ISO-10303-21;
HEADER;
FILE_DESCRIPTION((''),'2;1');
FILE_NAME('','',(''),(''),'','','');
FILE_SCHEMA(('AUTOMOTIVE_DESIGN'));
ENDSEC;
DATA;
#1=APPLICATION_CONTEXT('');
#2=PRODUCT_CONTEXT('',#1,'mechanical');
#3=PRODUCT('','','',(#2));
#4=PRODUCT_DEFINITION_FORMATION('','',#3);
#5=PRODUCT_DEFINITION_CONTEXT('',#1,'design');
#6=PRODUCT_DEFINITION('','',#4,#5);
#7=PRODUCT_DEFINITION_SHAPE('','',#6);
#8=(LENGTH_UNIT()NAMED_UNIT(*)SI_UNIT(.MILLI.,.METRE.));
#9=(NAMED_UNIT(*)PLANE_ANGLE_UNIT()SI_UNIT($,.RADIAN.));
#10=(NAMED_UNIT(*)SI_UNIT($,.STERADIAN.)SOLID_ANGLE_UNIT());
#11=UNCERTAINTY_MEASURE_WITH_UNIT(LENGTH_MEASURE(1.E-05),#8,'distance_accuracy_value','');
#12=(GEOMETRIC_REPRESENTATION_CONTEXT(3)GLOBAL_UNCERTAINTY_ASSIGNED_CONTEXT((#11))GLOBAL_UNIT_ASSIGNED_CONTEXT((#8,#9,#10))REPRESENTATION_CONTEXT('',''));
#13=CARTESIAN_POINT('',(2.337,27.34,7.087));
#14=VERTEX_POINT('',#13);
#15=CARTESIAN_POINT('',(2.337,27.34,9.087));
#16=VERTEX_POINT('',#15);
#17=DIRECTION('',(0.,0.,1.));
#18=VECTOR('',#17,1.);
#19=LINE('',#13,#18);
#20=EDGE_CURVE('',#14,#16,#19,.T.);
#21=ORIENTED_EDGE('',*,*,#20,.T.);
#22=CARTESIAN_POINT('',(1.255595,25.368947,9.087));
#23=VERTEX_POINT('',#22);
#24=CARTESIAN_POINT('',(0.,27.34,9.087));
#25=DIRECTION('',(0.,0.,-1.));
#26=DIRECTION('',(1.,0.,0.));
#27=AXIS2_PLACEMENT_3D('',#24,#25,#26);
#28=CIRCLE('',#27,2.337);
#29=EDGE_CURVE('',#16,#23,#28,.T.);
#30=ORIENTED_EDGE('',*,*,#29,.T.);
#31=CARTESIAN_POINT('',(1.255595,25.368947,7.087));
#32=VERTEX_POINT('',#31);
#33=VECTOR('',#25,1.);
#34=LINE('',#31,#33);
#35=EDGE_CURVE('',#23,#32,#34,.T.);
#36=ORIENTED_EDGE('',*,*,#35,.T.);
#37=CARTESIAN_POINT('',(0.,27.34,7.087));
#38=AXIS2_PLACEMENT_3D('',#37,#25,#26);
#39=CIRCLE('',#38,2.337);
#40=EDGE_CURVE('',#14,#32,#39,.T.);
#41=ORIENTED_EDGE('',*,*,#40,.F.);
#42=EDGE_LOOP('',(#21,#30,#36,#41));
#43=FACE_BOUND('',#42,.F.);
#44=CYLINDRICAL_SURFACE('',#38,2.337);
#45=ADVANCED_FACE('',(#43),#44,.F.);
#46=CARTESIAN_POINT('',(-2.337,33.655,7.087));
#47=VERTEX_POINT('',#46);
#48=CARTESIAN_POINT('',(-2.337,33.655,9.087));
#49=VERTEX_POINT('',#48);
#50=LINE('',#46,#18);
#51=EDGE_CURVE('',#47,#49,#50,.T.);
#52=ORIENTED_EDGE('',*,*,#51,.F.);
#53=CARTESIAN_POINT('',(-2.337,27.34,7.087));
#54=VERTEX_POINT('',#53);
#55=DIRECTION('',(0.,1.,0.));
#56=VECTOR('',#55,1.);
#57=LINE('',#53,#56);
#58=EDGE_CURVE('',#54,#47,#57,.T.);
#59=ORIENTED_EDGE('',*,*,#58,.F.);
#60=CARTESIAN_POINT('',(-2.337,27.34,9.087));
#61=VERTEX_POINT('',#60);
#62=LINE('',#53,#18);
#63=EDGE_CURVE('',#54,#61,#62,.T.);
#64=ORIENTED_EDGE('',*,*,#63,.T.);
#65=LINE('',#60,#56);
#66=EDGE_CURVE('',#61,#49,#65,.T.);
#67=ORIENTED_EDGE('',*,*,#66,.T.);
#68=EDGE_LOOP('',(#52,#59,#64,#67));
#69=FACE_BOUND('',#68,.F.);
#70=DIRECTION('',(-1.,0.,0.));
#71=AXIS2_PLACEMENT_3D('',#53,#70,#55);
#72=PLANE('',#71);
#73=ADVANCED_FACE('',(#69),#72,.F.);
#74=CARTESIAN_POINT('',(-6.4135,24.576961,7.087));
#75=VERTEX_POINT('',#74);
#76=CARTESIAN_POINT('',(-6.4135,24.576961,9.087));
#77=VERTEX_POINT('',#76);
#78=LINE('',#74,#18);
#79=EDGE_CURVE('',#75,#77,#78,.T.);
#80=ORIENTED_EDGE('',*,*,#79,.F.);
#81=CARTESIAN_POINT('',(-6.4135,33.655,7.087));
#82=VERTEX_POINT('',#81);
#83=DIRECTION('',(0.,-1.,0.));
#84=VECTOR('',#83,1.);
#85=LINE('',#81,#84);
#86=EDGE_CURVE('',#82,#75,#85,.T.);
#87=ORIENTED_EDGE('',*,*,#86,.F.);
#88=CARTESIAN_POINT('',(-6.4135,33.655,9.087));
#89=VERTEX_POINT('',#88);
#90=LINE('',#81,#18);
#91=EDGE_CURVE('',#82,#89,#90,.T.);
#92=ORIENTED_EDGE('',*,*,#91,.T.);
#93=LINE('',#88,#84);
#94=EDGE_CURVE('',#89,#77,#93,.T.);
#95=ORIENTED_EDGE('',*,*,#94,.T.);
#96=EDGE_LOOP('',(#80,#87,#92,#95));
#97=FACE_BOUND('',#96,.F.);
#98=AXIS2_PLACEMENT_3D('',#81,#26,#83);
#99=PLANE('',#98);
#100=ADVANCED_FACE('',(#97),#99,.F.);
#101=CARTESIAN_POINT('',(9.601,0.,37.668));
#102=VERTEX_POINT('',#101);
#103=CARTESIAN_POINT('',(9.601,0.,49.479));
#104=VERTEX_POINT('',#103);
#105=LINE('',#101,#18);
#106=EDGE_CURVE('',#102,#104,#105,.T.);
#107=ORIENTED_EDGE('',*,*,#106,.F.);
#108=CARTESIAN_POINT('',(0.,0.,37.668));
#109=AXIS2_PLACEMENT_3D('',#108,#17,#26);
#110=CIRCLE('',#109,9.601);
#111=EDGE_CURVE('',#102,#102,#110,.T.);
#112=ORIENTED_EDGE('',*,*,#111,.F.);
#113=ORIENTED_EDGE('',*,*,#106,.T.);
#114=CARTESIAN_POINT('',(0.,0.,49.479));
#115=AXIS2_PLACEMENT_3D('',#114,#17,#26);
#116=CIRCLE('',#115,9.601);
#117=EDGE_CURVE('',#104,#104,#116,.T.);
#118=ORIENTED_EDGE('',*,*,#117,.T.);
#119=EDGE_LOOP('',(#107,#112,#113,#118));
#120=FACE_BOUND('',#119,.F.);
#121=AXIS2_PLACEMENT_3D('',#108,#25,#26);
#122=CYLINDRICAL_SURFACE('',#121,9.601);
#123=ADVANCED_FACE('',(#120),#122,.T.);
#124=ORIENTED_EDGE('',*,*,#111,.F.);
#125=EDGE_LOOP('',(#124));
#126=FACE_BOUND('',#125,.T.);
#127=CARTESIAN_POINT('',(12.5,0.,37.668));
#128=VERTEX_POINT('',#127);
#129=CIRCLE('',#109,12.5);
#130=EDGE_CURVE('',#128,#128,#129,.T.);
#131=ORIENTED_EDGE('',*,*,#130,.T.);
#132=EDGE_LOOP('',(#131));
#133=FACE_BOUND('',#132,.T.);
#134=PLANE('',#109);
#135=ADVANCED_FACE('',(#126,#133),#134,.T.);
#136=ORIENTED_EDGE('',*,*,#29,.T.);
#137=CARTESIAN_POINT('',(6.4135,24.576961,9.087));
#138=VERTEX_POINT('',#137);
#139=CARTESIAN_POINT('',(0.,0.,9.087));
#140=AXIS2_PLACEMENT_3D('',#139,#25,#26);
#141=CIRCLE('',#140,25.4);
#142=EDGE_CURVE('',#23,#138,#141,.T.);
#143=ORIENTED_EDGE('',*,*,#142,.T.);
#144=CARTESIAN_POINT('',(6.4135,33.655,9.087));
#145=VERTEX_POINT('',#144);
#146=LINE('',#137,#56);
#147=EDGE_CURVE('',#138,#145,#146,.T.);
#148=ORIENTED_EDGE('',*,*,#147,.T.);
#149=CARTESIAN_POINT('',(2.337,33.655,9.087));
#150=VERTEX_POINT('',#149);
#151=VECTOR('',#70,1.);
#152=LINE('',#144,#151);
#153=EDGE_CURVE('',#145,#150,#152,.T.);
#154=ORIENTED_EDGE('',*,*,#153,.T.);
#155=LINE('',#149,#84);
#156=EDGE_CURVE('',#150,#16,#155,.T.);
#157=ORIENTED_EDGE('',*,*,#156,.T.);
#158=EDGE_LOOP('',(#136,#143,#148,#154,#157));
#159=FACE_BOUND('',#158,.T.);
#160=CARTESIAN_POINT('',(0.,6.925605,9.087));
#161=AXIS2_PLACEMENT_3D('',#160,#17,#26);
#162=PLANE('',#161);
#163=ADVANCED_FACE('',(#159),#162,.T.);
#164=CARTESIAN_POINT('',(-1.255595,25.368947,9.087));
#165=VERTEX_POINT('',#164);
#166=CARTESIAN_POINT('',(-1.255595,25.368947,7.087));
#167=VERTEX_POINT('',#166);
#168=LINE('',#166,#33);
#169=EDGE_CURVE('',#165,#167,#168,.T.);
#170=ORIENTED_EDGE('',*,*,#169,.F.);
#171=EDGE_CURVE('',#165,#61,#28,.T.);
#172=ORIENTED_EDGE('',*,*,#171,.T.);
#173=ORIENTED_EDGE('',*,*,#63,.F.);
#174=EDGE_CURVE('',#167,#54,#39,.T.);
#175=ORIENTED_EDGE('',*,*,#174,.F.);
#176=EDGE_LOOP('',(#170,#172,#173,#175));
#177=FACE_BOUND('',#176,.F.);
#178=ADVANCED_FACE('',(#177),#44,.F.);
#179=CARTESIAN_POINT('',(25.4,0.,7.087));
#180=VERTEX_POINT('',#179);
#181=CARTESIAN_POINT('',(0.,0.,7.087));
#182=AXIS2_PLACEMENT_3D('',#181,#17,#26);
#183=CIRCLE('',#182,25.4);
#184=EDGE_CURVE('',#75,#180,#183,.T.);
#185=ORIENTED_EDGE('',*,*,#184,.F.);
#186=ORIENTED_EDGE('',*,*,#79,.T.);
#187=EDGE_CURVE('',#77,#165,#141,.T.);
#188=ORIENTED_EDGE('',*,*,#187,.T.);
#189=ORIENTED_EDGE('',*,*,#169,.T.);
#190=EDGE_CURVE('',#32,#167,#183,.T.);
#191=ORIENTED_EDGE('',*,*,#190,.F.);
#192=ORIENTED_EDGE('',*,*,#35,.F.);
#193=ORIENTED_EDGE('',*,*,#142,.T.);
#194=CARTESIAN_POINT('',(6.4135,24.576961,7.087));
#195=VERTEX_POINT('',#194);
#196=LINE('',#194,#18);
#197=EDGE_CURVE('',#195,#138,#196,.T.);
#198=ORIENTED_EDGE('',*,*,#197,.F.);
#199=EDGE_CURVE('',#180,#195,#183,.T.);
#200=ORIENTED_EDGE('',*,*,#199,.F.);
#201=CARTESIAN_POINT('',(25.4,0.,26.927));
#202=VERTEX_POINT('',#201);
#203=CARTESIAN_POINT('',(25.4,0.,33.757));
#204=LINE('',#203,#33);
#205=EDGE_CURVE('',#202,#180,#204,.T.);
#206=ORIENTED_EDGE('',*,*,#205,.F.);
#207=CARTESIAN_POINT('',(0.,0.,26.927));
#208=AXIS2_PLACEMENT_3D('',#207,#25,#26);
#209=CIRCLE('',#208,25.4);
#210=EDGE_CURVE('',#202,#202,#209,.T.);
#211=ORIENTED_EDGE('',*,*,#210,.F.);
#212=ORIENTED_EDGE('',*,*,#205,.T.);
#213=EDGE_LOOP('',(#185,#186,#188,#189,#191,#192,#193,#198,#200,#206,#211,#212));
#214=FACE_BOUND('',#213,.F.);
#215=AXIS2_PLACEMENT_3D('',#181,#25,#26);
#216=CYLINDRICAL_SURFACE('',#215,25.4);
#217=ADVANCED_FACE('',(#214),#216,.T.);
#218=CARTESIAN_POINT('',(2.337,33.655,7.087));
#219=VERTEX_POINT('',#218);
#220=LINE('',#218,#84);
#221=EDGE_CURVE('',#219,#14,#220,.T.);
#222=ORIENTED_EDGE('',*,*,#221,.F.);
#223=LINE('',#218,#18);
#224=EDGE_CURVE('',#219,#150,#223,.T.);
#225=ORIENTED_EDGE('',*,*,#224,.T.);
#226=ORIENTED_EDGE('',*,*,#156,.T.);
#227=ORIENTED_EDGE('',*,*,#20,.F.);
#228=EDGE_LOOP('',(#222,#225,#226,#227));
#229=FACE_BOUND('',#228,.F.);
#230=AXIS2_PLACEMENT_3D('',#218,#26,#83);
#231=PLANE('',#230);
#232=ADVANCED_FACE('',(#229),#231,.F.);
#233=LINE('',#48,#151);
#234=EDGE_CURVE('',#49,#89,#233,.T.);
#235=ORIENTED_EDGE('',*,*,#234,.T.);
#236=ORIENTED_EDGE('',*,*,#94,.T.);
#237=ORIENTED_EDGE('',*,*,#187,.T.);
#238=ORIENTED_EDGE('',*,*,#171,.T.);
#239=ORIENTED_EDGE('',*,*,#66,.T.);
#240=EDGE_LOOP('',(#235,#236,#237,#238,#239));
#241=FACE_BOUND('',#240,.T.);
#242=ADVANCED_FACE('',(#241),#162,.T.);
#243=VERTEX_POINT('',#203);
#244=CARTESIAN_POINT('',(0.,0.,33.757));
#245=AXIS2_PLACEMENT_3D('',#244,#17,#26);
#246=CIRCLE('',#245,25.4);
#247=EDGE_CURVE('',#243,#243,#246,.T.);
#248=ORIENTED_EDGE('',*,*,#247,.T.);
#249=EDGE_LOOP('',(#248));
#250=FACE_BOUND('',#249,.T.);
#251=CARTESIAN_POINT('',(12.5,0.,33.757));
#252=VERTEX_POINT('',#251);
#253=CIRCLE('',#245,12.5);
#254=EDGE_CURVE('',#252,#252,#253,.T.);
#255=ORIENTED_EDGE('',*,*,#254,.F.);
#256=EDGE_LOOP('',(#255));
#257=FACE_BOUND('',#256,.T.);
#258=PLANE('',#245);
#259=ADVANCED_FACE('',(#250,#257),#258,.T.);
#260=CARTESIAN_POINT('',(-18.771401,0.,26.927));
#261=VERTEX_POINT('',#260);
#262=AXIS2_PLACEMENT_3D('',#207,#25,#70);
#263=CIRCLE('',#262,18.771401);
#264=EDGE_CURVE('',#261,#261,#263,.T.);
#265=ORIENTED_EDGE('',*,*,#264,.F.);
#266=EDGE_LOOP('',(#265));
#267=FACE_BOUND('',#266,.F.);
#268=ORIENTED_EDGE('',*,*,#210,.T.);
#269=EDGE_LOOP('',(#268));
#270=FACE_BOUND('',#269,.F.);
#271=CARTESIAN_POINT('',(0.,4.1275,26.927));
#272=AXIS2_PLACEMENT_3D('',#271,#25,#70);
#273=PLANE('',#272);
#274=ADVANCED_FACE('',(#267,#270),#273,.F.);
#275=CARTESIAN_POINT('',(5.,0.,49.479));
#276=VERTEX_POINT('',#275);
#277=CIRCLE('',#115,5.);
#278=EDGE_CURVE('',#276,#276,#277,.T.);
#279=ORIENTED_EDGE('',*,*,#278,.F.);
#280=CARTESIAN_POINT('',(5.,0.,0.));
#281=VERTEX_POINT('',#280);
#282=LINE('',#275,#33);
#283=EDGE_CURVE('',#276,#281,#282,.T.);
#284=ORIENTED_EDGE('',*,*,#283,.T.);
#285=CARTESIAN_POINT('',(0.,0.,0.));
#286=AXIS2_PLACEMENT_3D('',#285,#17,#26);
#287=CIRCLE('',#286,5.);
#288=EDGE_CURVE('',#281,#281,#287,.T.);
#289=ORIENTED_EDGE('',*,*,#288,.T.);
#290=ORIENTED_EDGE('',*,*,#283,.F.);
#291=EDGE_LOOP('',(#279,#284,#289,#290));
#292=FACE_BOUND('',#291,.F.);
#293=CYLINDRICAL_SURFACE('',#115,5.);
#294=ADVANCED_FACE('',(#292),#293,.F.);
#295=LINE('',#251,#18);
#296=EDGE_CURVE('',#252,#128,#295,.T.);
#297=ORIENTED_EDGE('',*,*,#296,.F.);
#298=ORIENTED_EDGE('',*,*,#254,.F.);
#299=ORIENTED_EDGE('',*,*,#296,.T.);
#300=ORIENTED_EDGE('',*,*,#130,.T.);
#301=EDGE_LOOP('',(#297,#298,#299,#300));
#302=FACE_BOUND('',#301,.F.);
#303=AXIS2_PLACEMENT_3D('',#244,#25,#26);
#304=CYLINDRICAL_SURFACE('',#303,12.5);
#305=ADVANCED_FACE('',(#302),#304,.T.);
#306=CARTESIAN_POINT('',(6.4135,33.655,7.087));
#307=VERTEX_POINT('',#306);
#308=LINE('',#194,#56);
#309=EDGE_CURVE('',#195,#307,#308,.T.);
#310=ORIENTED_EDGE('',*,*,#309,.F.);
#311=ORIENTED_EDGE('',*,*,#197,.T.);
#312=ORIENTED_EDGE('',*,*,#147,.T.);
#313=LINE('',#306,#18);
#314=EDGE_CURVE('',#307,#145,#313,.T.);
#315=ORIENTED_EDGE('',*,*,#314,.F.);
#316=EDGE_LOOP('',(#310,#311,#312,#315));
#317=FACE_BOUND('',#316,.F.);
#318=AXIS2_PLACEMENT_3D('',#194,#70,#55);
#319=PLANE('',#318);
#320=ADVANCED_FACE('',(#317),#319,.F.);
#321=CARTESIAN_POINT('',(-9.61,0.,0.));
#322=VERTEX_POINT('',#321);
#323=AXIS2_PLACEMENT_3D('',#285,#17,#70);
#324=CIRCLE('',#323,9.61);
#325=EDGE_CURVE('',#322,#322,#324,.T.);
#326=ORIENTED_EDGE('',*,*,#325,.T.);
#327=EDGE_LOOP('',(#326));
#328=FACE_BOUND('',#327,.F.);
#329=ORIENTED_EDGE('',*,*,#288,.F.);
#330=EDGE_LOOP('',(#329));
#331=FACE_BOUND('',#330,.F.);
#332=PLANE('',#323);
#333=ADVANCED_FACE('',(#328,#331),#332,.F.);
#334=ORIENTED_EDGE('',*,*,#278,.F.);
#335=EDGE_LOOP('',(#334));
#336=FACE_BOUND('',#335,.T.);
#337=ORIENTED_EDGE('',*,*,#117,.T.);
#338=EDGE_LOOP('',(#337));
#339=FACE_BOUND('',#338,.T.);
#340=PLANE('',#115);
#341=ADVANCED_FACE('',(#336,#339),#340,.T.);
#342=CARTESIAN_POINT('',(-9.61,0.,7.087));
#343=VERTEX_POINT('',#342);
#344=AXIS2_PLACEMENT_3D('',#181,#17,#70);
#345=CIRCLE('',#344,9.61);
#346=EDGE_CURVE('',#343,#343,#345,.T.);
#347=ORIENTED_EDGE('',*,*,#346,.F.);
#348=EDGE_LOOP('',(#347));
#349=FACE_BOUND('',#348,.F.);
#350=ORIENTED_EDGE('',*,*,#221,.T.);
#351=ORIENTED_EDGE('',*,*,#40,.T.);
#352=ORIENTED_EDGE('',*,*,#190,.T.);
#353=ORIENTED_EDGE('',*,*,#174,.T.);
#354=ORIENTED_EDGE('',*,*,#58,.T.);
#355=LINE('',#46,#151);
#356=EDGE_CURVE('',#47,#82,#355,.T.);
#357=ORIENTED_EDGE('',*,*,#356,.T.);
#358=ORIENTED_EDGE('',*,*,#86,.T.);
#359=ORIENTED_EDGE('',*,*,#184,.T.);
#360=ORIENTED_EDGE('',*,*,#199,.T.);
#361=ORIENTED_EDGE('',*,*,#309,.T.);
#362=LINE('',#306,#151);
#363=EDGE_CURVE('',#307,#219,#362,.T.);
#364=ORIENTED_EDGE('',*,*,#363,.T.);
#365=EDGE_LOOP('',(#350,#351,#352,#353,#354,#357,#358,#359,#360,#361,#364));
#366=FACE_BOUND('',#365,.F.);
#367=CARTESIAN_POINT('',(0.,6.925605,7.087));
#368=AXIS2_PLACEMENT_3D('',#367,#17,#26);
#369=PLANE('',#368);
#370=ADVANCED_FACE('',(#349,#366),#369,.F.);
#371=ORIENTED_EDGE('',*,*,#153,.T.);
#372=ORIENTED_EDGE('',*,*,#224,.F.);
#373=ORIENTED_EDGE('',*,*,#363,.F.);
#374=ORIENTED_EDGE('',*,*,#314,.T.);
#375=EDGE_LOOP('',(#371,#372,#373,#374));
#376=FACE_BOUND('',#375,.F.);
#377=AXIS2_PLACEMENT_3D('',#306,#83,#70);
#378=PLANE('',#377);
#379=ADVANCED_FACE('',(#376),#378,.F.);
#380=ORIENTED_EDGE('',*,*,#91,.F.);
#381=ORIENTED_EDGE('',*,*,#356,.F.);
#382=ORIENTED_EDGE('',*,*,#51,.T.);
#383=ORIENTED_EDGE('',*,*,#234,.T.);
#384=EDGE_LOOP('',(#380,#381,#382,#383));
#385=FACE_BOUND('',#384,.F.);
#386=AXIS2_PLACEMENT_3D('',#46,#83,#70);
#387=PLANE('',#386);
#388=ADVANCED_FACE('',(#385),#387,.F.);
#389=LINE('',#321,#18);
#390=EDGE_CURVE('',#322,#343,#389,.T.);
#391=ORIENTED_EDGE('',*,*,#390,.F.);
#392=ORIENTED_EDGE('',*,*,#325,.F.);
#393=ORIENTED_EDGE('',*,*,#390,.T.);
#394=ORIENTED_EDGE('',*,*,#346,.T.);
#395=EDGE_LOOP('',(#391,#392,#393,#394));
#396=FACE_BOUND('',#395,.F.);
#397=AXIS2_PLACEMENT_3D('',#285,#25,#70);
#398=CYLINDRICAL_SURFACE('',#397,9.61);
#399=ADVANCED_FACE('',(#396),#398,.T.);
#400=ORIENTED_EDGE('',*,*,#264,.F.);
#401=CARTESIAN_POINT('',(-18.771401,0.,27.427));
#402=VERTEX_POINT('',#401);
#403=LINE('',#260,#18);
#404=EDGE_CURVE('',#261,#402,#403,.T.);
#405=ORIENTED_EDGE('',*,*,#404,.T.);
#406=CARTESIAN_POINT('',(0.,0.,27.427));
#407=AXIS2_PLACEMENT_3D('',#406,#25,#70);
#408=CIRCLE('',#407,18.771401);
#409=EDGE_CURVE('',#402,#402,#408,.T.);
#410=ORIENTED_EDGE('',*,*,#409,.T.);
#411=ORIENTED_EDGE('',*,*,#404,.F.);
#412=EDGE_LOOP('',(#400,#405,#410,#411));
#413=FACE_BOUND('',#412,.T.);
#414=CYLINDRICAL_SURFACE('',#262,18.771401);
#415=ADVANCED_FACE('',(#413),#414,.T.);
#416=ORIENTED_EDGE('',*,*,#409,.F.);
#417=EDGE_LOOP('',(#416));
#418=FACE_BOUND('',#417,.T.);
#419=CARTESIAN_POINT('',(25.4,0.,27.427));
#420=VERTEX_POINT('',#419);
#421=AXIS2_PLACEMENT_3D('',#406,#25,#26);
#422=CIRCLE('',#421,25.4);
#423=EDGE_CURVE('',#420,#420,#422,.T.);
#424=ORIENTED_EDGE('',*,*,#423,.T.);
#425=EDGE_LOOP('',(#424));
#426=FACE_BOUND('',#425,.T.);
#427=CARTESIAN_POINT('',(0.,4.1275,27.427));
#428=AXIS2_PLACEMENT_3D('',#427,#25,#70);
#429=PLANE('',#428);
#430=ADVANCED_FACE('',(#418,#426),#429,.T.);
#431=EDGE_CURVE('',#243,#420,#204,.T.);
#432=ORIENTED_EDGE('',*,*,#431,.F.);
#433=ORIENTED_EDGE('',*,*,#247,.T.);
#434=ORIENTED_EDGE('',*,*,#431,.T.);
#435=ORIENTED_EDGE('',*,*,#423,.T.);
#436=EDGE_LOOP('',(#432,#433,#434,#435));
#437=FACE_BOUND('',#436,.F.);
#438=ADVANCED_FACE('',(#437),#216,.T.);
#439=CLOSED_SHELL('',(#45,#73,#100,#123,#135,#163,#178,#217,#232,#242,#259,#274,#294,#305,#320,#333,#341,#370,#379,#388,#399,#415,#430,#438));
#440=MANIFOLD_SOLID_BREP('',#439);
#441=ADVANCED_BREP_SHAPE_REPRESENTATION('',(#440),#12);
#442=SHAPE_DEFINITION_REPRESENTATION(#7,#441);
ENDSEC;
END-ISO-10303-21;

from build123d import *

# Parameters (mm, degrees)
SKETCH1_R           = 9.61
BOSS_EXTRUDE1_DEPTH = 7.087
SKETCH2_R           = 25.4
BOSS_EXTRUDE2_DEPTH = 26.67
SKETCH3_R           = 12.5
BOSS_EXTRUDE3_DEPTH = 3.911
SKETCH4_R           = 9.601
BOSS_EXTRUDE4_DEPTH = 11.811
BOSS_EXTRUDE5_DEPTH = 2
SKETCH5_R           = 5
CUT_EXTRUDE1_DEPTH  = 66.007618523
SKETCH7_OUTSIDE_W   = 71.256
SKETCH7_OUTSIDE_H   = 79.511
SKETCH7_OUTSIDE_R   = 18.771401146
CUT_EXTRUDE2_DEPTH  = 0.5


with BuildPart() as part:
    # Sketch1 → Boss-Extrude1 (new body)
    with BuildSketch(Plane.XY):
        with Locations(Location((0, 0, 0), (0, 0, 180))):
            Circle(SKETCH1_R)
    extrude(amount=BOSS_EXTRUDE1_DEPTH)

    # Sketch2 → Boss-Extrude2 (add)
    with BuildSketch(Plane.XY.offset(7.087)):
        Circle(SKETCH2_R)
    extrude(amount=BOSS_EXTRUDE2_DEPTH)

    # Sketch3 → Boss-Extrude3 (add)
    with BuildSketch(Plane.XY.offset(33.757)):
        Circle(SKETCH3_R)
    extrude(amount=BOSS_EXTRUDE3_DEPTH)

    # Sketch4 → Boss-Extrude4 (add)
    with BuildSketch(Plane.XY.offset(37.668)):
        Circle(SKETCH4_R)
    extrude(amount=BOSS_EXTRUDE4_DEPTH)

    # Sketch6 → Boss-Extrude5 (add)
    with BuildSketch(Plane(origin=(0, 0, 7.087), x_dir=(-1, 0, 0), z_dir=(0, 0, -1))):
        with BuildLine():
            Line((-6.4135, 33.655), (-2.337, 33.655))
            Line((-2.337, 33.655), (-2.337, 27.34))
            ThreePointArc((-2.337, 27.34), (0, 25.003), (2.337, 27.34))
            Line((2.337, 27.34), (2.337, 33.655))
            Line((2.337, 33.655), (6.4135, 33.655))
            Line((6.4135, 33.655), (6.4135, 24.576961117))
            ThreePointArc((6.4135, 24.576961117), (0, -25.4), (-6.4135, 24.576961117))
            Line((-6.4135, 24.576961117), (-6.4135, 33.655))
        make_face()
    extrude(amount=-BOSS_EXTRUDE5_DEPTH)

    # Sketch5 → Cut-Extrude1 (cut, through all)
    with BuildSketch(Plane.XY.offset(49.479)):
        Circle(SKETCH5_R)
    extrude(amount=-CUT_EXTRUDE1_DEPTH, mode=Mode.SUBTRACT)

    # Sketch7 outside → Cut-Extrude2 (cut)
    with BuildSketch(Plane(origin=(0, 0, 26.927), x_dir=(-1, 0, 0), z_dir=(0, 0, -1))):
        with Locations((0, 4.1275)):
            Rectangle(SKETCH7_OUTSIDE_W, SKETCH7_OUTSIDE_H)
        Circle(SKETCH7_OUTSIDE_R, mode=Mode.SUBTRACT)
    extrude(amount=-CUT_EXTRUDE2_DEPTH, mode=Mode.SUBTRACT)


solid = part.part
